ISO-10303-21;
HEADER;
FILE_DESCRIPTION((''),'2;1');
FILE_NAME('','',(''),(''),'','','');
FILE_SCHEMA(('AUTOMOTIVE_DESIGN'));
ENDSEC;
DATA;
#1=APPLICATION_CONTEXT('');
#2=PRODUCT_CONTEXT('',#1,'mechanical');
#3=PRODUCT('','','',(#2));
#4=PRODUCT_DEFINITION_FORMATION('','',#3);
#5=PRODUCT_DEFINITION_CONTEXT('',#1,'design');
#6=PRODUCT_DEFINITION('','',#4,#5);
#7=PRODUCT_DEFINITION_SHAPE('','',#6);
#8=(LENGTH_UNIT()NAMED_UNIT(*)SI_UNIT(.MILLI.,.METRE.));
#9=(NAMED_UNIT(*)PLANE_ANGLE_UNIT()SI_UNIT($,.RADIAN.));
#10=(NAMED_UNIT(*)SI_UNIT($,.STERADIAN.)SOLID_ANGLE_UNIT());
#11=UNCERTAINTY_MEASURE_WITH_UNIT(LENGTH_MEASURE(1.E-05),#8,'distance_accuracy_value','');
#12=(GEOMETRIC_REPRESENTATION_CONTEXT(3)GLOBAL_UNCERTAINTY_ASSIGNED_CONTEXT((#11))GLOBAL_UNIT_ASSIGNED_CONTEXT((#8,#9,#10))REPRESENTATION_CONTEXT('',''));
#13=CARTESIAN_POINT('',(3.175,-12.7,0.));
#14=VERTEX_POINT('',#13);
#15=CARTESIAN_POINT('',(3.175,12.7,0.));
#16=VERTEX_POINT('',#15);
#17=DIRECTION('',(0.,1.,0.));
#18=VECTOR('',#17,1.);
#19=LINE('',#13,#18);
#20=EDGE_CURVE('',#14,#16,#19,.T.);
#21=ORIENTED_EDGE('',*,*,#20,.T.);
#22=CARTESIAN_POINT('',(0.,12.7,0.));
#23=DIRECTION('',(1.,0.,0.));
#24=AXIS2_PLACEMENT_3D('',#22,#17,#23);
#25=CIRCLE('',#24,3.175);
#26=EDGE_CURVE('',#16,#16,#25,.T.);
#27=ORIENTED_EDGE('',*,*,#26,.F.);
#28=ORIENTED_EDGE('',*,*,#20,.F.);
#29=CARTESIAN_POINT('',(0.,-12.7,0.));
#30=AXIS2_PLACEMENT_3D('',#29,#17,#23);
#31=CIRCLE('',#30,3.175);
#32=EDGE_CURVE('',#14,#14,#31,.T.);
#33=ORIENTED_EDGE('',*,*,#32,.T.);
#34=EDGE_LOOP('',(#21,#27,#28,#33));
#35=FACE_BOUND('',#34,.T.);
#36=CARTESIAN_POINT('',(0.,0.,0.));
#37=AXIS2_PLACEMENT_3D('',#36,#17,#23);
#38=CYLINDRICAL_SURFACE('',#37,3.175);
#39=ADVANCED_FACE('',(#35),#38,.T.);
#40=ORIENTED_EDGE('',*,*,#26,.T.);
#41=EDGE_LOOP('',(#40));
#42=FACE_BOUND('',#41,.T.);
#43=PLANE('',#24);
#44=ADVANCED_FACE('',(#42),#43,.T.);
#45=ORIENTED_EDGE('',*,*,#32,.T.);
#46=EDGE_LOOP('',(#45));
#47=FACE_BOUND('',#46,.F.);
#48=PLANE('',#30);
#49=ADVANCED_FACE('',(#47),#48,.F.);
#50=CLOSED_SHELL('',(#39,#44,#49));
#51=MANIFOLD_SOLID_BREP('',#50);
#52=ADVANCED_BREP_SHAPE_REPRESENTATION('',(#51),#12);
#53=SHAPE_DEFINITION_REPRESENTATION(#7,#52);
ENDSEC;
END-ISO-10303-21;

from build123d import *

# Parameters (mm, degrees)
SKETCH1_R           = 3.175
BOSS_EXTRUDE1_DEPTH = 12.7


with BuildPart() as part:
    # Sketch1 → Boss-Extrude1 (new body, symmetric)
    with BuildSketch(Plane(origin=(0, 0, 0), x_dir=(1, 0, 0), z_dir=(0, 1, 0))):
        Circle(SKETCH1_R)
    extrude(amount=BOSS_EXTRUDE1_DEPTH, both=True)


solid = part.part
